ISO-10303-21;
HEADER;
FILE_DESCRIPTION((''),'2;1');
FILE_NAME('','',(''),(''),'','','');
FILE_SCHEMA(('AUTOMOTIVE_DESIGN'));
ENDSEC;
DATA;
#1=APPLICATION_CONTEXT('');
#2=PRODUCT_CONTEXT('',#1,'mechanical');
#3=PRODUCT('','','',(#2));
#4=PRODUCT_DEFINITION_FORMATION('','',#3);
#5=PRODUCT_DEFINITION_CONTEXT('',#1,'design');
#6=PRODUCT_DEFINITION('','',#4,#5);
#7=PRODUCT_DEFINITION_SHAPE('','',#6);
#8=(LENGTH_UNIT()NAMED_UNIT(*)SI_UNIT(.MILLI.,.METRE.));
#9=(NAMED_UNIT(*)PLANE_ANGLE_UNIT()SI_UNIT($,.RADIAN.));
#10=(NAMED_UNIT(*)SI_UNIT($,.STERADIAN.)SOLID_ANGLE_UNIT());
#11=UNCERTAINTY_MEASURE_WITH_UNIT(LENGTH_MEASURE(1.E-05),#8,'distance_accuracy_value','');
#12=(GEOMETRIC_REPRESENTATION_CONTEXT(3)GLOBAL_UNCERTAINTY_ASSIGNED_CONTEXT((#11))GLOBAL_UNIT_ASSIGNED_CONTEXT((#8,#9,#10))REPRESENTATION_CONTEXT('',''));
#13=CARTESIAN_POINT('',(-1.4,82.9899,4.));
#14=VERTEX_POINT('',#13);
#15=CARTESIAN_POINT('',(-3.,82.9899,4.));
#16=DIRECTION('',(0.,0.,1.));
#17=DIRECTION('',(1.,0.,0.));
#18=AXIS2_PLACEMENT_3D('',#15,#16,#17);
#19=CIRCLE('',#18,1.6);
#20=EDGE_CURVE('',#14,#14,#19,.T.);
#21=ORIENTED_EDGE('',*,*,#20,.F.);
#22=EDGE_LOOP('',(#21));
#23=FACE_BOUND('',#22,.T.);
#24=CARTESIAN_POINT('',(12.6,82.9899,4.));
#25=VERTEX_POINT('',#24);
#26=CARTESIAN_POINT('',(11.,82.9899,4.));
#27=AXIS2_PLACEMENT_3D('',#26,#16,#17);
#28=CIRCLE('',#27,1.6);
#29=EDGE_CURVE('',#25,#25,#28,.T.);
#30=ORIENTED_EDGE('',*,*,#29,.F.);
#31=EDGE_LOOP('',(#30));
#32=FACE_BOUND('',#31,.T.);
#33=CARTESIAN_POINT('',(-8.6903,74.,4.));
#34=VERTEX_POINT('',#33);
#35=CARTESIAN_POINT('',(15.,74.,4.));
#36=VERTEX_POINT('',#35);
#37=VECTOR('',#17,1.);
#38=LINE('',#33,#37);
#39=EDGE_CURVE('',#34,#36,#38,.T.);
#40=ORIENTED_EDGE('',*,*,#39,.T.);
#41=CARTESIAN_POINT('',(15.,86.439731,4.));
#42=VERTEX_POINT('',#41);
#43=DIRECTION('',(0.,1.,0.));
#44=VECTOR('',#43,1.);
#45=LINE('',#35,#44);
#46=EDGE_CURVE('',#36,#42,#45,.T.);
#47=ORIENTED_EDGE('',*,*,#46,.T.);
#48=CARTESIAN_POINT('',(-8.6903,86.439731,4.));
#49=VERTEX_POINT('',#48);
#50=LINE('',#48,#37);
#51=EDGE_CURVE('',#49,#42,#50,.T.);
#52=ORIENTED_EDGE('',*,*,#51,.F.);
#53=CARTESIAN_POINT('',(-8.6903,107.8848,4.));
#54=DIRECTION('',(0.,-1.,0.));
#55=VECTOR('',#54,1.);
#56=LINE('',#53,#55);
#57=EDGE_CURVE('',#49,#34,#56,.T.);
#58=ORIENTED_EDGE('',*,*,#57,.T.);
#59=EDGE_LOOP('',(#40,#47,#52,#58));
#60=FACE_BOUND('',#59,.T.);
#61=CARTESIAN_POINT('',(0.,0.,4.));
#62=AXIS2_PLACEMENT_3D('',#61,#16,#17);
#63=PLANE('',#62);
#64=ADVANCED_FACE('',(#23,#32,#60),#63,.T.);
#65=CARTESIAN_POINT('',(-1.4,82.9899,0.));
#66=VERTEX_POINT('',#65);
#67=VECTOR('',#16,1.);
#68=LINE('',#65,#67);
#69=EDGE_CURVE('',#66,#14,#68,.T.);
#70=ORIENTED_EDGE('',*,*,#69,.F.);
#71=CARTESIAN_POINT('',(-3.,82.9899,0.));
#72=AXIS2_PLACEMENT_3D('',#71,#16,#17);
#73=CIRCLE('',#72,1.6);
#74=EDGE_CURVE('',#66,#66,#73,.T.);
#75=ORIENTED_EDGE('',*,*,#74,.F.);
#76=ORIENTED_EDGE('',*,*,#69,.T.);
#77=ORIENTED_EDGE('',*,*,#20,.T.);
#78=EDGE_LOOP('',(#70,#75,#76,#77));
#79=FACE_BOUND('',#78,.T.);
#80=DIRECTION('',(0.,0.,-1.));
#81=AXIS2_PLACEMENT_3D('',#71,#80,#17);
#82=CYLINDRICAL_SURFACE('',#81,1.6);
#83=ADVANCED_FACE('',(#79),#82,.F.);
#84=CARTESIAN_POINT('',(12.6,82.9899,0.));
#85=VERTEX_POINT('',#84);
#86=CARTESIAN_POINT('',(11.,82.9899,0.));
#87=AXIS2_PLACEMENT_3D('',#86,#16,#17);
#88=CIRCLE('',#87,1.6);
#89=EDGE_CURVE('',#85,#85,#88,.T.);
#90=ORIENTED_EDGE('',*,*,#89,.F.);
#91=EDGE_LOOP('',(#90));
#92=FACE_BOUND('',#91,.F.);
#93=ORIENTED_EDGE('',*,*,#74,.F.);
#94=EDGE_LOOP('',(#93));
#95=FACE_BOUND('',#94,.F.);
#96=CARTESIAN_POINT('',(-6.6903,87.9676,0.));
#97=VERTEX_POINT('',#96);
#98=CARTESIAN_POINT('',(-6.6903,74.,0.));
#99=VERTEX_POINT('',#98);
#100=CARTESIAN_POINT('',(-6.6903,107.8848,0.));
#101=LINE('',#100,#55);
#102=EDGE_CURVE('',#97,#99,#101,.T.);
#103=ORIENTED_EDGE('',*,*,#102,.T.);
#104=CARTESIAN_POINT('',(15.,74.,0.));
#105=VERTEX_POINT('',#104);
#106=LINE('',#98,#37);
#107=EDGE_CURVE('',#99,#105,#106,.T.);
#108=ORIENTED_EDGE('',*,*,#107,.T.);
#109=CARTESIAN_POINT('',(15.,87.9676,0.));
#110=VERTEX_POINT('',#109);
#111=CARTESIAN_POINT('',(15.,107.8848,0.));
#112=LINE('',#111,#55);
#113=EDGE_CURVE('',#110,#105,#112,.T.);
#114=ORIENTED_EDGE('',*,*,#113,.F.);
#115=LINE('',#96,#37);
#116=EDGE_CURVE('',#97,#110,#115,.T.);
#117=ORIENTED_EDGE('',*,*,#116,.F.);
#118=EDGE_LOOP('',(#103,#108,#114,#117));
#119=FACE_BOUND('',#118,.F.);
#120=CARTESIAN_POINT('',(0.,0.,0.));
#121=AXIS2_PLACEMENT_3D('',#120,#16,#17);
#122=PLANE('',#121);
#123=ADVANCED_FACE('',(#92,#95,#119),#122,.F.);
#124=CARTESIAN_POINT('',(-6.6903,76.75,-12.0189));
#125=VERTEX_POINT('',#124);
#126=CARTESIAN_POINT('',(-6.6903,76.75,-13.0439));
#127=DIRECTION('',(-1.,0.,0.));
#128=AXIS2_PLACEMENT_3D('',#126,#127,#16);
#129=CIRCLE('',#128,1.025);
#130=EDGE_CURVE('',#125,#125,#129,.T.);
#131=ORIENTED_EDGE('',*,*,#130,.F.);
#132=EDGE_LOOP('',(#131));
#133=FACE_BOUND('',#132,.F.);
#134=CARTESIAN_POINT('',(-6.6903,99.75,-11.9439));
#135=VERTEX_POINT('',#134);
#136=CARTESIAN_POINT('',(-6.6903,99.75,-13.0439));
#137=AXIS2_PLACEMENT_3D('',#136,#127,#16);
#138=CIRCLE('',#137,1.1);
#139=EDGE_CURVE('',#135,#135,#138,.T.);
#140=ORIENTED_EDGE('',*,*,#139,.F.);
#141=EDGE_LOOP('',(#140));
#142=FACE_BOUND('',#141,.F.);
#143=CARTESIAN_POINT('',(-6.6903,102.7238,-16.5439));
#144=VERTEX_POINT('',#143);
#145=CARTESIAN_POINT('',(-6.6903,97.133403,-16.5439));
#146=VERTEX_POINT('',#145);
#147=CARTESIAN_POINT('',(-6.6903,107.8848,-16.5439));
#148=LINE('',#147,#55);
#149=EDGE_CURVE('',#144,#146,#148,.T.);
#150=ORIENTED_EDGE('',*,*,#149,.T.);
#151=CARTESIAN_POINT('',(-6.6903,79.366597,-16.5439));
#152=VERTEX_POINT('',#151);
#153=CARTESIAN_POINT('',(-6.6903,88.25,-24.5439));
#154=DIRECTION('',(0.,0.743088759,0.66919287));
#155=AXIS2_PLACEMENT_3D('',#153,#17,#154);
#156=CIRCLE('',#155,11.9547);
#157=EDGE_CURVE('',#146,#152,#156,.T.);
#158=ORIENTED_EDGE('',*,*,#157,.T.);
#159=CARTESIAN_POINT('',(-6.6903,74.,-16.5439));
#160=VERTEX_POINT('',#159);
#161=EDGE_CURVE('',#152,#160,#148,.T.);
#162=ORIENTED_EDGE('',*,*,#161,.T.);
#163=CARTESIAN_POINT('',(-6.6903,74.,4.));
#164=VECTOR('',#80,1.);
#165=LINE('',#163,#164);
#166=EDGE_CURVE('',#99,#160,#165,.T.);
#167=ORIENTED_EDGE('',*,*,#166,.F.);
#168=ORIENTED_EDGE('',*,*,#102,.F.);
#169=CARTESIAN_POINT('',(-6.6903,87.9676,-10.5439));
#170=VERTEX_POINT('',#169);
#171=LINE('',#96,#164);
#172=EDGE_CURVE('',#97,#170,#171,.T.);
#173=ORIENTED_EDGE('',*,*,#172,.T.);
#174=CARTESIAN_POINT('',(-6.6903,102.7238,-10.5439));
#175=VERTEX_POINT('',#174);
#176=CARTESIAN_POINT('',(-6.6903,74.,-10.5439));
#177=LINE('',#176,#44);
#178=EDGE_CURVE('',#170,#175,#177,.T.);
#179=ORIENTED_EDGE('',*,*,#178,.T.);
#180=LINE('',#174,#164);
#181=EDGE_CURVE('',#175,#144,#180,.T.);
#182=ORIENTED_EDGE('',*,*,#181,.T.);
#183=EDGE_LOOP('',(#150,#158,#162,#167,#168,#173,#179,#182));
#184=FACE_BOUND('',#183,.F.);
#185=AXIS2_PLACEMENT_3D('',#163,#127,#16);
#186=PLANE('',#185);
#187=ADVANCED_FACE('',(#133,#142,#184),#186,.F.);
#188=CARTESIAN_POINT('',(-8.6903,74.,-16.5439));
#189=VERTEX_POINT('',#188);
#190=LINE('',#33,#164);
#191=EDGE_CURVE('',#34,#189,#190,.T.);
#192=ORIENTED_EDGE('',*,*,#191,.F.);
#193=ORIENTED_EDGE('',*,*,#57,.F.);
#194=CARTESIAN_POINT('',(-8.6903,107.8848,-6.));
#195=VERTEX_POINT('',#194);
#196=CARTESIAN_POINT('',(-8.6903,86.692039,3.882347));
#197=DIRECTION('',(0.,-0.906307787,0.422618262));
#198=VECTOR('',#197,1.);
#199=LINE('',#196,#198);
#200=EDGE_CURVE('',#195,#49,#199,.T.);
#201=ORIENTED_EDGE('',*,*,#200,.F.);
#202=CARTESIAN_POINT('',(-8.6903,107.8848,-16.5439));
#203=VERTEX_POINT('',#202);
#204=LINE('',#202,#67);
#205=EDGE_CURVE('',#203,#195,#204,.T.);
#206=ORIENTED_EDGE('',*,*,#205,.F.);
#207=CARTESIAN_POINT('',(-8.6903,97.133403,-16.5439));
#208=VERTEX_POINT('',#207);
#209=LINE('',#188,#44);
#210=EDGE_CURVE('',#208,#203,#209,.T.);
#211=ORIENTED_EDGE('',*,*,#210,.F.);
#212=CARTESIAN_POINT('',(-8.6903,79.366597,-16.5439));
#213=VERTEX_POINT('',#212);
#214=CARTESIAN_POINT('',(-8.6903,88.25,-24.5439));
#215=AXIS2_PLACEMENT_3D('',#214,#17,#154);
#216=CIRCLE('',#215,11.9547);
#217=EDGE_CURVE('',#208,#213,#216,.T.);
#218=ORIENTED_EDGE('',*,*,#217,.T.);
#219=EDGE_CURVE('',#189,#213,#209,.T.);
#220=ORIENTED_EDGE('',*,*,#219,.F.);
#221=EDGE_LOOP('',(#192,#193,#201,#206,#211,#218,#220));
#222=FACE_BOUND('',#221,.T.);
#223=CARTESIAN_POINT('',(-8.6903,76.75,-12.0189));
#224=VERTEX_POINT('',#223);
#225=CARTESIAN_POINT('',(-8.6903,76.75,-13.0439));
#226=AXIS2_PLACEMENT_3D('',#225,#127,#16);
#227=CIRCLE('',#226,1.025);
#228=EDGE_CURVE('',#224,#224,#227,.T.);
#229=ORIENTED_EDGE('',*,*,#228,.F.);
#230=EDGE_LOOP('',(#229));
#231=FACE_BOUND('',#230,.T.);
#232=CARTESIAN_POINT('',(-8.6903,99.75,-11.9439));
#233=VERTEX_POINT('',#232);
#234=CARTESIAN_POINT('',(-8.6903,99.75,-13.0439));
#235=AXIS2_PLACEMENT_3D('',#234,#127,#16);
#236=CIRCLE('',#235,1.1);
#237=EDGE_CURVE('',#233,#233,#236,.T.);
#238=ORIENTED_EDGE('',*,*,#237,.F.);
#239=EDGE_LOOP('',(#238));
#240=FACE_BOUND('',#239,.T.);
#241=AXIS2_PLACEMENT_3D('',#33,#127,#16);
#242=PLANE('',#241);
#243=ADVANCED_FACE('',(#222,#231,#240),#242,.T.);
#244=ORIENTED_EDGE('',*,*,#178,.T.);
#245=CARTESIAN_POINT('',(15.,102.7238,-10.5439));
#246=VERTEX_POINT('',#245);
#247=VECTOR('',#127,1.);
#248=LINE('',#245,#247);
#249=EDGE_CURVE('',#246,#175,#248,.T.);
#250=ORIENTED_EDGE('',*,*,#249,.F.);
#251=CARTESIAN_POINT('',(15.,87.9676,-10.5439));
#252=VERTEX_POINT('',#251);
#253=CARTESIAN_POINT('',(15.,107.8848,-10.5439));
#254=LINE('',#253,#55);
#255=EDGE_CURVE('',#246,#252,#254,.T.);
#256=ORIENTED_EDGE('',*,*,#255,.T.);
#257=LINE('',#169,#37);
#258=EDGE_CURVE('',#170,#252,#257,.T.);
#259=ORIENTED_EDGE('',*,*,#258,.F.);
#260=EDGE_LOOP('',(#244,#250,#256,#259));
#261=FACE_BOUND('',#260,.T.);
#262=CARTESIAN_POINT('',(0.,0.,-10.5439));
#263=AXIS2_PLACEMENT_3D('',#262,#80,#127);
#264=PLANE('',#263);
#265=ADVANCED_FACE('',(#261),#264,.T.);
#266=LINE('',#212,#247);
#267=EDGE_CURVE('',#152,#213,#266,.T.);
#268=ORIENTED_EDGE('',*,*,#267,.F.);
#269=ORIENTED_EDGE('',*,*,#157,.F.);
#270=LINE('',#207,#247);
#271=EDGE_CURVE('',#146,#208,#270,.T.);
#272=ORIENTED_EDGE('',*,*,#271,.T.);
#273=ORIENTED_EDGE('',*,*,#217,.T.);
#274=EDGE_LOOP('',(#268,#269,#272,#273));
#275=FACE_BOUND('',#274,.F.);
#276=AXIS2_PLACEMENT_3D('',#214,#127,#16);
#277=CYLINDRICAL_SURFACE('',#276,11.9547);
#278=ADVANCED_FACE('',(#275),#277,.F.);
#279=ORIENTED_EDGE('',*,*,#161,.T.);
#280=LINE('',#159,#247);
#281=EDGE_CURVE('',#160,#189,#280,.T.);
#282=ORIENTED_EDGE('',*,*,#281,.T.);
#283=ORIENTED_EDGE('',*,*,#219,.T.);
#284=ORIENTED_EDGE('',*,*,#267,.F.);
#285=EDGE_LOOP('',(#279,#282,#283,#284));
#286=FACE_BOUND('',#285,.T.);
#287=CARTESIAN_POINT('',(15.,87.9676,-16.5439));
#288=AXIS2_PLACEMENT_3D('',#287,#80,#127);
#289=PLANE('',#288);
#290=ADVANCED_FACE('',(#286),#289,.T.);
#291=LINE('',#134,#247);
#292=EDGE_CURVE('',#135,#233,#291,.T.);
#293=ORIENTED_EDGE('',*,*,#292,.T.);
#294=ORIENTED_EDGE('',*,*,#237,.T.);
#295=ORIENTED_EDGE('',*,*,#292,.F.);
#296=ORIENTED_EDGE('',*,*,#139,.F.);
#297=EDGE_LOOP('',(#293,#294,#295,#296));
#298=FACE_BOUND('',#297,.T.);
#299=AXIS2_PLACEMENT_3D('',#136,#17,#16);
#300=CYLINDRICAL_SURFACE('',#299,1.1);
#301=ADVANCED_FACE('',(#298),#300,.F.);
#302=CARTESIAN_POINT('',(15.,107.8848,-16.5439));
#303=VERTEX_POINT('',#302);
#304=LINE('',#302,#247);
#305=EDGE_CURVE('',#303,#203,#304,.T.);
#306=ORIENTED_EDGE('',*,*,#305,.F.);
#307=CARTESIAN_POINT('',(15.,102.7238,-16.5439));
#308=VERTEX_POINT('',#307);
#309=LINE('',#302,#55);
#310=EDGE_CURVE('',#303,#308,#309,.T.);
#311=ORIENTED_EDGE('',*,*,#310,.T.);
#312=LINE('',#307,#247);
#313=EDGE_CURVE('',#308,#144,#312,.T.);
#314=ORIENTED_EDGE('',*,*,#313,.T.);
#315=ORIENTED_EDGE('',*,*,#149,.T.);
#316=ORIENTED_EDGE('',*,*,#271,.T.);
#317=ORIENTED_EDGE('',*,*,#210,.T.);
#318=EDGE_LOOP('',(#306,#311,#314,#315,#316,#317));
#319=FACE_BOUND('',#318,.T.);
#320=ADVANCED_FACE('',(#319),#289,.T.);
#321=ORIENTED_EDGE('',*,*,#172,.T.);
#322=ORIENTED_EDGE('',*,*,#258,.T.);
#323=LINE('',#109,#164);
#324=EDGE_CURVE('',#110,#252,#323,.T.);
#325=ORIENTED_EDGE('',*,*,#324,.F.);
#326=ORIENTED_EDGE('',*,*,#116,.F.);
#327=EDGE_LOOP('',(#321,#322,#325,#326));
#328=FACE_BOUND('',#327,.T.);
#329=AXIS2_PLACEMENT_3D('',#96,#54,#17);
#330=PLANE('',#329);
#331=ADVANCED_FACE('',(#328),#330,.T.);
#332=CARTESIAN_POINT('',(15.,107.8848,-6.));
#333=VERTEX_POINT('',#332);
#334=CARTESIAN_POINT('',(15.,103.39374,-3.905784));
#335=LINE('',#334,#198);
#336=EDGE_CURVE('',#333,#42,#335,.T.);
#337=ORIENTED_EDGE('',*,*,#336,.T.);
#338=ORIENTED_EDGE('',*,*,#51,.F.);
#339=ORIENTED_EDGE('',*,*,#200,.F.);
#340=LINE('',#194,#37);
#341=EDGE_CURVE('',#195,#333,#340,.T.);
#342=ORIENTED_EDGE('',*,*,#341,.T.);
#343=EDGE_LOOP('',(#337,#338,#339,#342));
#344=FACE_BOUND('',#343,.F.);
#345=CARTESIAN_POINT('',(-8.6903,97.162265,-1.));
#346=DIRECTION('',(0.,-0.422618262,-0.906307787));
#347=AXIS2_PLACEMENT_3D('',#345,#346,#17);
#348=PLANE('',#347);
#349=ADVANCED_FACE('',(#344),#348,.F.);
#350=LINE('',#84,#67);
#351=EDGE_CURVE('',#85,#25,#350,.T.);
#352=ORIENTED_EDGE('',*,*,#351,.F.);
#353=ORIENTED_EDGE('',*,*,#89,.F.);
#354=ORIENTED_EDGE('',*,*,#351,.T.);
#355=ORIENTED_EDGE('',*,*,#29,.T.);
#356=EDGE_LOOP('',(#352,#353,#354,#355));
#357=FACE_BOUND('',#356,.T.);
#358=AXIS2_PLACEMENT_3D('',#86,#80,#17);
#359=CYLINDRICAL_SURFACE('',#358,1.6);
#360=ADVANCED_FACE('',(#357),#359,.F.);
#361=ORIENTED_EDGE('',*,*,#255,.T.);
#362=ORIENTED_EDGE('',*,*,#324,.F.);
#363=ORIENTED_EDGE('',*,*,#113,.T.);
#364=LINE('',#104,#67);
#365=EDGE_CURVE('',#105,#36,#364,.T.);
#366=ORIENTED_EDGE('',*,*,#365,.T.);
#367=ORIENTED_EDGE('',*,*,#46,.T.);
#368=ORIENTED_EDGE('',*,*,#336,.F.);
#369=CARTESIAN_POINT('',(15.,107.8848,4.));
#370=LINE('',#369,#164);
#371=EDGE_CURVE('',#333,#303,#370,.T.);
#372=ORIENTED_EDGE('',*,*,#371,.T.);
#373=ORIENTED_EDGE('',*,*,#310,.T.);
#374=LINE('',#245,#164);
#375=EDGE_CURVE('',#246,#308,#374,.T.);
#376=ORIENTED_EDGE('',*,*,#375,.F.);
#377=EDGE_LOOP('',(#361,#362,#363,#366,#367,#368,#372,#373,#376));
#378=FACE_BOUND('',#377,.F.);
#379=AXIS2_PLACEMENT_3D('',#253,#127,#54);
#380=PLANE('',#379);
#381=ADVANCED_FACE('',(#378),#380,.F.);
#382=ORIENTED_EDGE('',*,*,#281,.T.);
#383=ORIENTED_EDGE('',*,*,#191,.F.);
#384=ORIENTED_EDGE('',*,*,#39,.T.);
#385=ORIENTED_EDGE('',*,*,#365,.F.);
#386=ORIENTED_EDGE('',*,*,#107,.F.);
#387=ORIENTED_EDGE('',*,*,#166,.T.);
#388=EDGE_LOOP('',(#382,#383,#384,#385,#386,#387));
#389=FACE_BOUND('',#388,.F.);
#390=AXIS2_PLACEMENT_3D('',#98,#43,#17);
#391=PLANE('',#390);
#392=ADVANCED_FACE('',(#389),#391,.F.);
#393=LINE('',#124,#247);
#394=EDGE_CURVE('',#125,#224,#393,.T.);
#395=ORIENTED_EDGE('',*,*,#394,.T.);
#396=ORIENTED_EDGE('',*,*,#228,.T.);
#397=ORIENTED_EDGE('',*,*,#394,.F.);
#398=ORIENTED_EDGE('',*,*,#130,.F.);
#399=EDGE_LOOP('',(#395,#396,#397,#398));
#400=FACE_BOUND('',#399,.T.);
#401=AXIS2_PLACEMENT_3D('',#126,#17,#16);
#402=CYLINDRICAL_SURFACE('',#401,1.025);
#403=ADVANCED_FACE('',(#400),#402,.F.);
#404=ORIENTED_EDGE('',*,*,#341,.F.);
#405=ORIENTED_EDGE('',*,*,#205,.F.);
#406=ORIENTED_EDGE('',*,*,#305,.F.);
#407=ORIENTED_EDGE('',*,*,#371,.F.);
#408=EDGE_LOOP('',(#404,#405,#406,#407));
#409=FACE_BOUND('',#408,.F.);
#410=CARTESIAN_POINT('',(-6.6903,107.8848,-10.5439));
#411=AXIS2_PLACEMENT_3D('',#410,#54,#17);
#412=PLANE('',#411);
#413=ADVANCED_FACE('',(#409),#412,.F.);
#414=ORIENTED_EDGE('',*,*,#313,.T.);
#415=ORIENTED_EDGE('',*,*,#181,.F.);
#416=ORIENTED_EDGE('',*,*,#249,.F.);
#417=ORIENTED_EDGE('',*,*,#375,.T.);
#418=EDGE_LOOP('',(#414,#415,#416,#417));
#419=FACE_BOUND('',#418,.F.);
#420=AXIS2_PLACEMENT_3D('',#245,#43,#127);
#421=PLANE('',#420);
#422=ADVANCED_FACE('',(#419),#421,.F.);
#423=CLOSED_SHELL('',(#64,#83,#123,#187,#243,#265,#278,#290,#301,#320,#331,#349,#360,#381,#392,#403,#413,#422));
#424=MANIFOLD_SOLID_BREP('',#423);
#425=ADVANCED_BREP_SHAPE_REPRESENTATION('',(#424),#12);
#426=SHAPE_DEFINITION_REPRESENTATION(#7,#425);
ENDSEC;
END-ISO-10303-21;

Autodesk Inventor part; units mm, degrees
ref_plane "YZ Plane" through (0, 0, 0) normal (1, 0, 0) x (0, 1, 0)
ref_plane "XZ Plane" through (0, 0, 0) normal (0, 1, 0) x (-1, 0, 0)
ref_plane "Work Plane1" through (0, 0, 0) normal (0, 0, 1) x (1, 0, 0)
sketch "Sketch1" plane through (0, 0, 0) normal (0, 0, 1) x (1, 0, 0)
  circle A0 centre (11, 82.9899) radius 1.6 projected
  circle A1 centre (-3, 82.9899) radius 1.6 projected
  circle A2 centre (7.5, 24) radius 6.4506 projected
  circle A3 centre (7.5, 64) radius 6.4305 projected
  arc A4 (0, 42.6389) -> (0, 45.3611) centre (-0.5, 44) ccw projected
  line L0 (0, -32) -> (0, 42.6389) projected
  line L1 (0, -32) -> (15, -32) projected
  line L2 (15, 35.9533) -> (15, -32) projected
  arc A5 (15, 35.9533) -> (15, 52.0467) centre (7.5, 44) ccw projected
  line L3 (15, 52.0467) -> (15, 86) projected
  line L4 (0, 45.3611) -> (0, 74) projected
  circle A6 centre (7.5, 36) radius 1.45 projected
  circle A7 centre (7.5, 52) radius 1.45 projected
  circle A8 centre (15.5, 44) radius 1.45 projected
  circle A9 centre (7.5, 44) radius 6 projected
  line L5 (-6.6903, 74) -> (15, 74)
  line L6 (15, 74) -> (15, 107.8848)
  line L7 (15, 107.8848) -> (-6.6903, 107.8848)
  line L8 (-6.6903, 107.8848) -> (-6.6903, 74)
  line L9 (15, 86) -> (-7, 86) projected
  line L10 (-7, 86) -> (-7, 74) projected
  line L11 (-7, 74) -> (0, 74) projected
  point P0 (0, 0)
extrude "Extrusion1" add sketch "Sketch1" along normal blind 4 contours L5 L8 L9 L3 | L8 L7 L6 L9
sketch "Sketch2" plane through (0, 0, 0) normal (0, 0, -1) x (-1, 0, 0)
  circle A0 centre (3, 82.9899) radius 1.6 projected
  circle A1 centre (-11, 82.9899) radius 1.6 projected
  line L0 (6.6903, 74) -> (6.6903, 107.8848) projected
  line L1 (6.6903, 107.8848) -> (-15, 107.8848) projected
  line L2 (-15, 107.8848) -> (-15, 74) projected
  line L3 (-15, 74) -> (6.6903, 74) projected
  line L4 (-15, 74) -> (-15, 107.8848) projected
  line L5 (-15, 107.8848) -> (6.6903, 107.8848)
  line L6 (6.6903, 107.8848) -> (6.6903, 87.9676)
  line L7 (6.6903, 87.9676) -> (-15, 87.9676)
  line L8 (-15, 87.9676) -> (-15, 107.8848)
  point P0 (0, 0)
ref_plane "Work Plane2" through (-7, 76.75, -10.5439) normal (0, 0, 1) x (1, 0, 0)
extrude "Extrusion2" add sketch "Sketch2" along normal up to surface (10.5439 mm away) contours L7 L2 L1 L0
sketch "Sketch3" plane through (15, 87.9676, -10.5439) normal (0, 0, -1) x (-1, 0, 0)
  line L0 (0, 19.9172) -> (0, 0) projected
  line L1 (0, 0) -> (21.6903, 0) projected
  line L2 (21.6903, 0) -> (21.6903, 19.9172) projected
  line L3 (21.6903, 19.9172) -> (0, 19.9172) projected
  line L4 (0, 19.9172) -> (21.6903, 19.9172) projected
  line L5 (0, -13.9676) -> (0, 19.9172) projected
  line L6 (21.6903, 19.9172) -> (0, 19.9172)
  line L7 (0, 19.9172) -> (0, 14.7562)
  line L8 (0, 14.7562) -> (21.6903, 14.7562)
  line L9 (21.6903, 14.7562) -> (21.6903, 19.9172)
  line L10 (21.6903, 0) -> (21.6903, 19.9172) projected
  line L11 (0, 19.9172) -> (0, 0) projected
  line L12 (21.6903, 19.9172) -> (0, 19.9172)
  line L13 (0, 19.9172) -> (0, 14.63)
  line L14 (0, 14.63) -> (21.6903, 14.63)
  line L15 (21.6903, 14.63) -> (21.6903, 19.9172)
  line L16 (22, 14.2824) -> (14.4, 14.2824) projected
  point P0 (15, -87.9676)
extrude "Extrusion3" add sketch "Sketch3" along normal blind 6 contours L3 L2 L8 L0
sketch "Sketch4" plane through (-6.6903, 74, 4) normal (-1, 0, 0) x (0, 0, 1)
  circle A0 centre (-28.5439, 14.25) radius 10.8 projected
  line L0 (-20.5439, 33.8848) -> (-20.5439, 28.7239) projected
  line L1 (0, 0) -> (-20.5439, 0)
  line L2 (-20.5439, 0) -> (-20.5439, 33.8848)
  line L3 (-20.5439, 33.8848) -> (0, 33.8848)
  line L4 (0, 33.8848) -> (0, 0)
  circle A1 centre (-17.0439, 25.75) radius 1.1 projected
  line L5 (-14.5439, 25.75) -> (-14.5439, 2.75) projected
  arc A2 (-14.5439, 25.75) -> (-17.0439, 28.25) centre (-17.0439, 25.75) ccw projected
  line L6 (-40.0439, 28.25) -> (-17.0439, 28.25) projected
  arc A3 (-40.0439, 28.25) -> (-42.5439, 25.75) centre (-40.0439, 25.75) ccw projected
  line L7 (-42.5439, 2.75) -> (-42.5439, 25.75) projected
  arc A4 (-42.5439, 2.75) -> (-40.0439, 0.25) centre (-40.0439, 2.75) ccw projected
  line L8 (-17.0439, 0.25) -> (-40.0439, 0.25) projected
  arc A5 (-17.0439, 0.25) -> (-14.5439, 2.75) centre (-17.0439, 2.75) ccw projected
  circle A6 centre (-28.5439, 14.25) radius 11 projected
  circle A7 centre (-40.0439, 25.75) radius 1.025 projected
  circle A8 centre (-17.0439, 25.75) radius 1.025 projected
  circle A9 centre (-17.0439, 2.75) radius 1.025 projected
  circle A10 centre (-40.0439, 2.75) radius 1.025 projected
  line L9 (0, 33.8848) -> (0, 0) projected
  point P0 (-4, -74)
extrude "Extrusion4" add sketch "Sketch4" along normal blind 2 contours A0 L2 | A0 L2 A6 | L2 L6 A2 L5 A5 L8 A6 | L2 L0 L3 L4 L1 L8 A5 L5 A2 L6 picked at (-19.7185, 15.1251) picked at (-18.4698, 18.1768)
sketch "Sketch5" plane through (-8.6903, 74, 4) normal (-1, 0, 0) x (0, 0, 1)
  circle A0 centre (-28.5439, 14.25) radius 11 projected
  circle A1 centre (-28.5439, 14.25) radius 11.9547
  point P0 (-4, -74)
extrude "Extrusion5" cut sketch "Sketch5" against normal blind 2 contours A0 | A1
chamfer "Chamfer1" distance 10 angle 65 1 edges at (3.1548, 107.8848, 4) measured on face at (7.1032, 107.8848, -2.848)
properties part number "OPENTRONS_Autofocus_NEMA_holder_tmp"
